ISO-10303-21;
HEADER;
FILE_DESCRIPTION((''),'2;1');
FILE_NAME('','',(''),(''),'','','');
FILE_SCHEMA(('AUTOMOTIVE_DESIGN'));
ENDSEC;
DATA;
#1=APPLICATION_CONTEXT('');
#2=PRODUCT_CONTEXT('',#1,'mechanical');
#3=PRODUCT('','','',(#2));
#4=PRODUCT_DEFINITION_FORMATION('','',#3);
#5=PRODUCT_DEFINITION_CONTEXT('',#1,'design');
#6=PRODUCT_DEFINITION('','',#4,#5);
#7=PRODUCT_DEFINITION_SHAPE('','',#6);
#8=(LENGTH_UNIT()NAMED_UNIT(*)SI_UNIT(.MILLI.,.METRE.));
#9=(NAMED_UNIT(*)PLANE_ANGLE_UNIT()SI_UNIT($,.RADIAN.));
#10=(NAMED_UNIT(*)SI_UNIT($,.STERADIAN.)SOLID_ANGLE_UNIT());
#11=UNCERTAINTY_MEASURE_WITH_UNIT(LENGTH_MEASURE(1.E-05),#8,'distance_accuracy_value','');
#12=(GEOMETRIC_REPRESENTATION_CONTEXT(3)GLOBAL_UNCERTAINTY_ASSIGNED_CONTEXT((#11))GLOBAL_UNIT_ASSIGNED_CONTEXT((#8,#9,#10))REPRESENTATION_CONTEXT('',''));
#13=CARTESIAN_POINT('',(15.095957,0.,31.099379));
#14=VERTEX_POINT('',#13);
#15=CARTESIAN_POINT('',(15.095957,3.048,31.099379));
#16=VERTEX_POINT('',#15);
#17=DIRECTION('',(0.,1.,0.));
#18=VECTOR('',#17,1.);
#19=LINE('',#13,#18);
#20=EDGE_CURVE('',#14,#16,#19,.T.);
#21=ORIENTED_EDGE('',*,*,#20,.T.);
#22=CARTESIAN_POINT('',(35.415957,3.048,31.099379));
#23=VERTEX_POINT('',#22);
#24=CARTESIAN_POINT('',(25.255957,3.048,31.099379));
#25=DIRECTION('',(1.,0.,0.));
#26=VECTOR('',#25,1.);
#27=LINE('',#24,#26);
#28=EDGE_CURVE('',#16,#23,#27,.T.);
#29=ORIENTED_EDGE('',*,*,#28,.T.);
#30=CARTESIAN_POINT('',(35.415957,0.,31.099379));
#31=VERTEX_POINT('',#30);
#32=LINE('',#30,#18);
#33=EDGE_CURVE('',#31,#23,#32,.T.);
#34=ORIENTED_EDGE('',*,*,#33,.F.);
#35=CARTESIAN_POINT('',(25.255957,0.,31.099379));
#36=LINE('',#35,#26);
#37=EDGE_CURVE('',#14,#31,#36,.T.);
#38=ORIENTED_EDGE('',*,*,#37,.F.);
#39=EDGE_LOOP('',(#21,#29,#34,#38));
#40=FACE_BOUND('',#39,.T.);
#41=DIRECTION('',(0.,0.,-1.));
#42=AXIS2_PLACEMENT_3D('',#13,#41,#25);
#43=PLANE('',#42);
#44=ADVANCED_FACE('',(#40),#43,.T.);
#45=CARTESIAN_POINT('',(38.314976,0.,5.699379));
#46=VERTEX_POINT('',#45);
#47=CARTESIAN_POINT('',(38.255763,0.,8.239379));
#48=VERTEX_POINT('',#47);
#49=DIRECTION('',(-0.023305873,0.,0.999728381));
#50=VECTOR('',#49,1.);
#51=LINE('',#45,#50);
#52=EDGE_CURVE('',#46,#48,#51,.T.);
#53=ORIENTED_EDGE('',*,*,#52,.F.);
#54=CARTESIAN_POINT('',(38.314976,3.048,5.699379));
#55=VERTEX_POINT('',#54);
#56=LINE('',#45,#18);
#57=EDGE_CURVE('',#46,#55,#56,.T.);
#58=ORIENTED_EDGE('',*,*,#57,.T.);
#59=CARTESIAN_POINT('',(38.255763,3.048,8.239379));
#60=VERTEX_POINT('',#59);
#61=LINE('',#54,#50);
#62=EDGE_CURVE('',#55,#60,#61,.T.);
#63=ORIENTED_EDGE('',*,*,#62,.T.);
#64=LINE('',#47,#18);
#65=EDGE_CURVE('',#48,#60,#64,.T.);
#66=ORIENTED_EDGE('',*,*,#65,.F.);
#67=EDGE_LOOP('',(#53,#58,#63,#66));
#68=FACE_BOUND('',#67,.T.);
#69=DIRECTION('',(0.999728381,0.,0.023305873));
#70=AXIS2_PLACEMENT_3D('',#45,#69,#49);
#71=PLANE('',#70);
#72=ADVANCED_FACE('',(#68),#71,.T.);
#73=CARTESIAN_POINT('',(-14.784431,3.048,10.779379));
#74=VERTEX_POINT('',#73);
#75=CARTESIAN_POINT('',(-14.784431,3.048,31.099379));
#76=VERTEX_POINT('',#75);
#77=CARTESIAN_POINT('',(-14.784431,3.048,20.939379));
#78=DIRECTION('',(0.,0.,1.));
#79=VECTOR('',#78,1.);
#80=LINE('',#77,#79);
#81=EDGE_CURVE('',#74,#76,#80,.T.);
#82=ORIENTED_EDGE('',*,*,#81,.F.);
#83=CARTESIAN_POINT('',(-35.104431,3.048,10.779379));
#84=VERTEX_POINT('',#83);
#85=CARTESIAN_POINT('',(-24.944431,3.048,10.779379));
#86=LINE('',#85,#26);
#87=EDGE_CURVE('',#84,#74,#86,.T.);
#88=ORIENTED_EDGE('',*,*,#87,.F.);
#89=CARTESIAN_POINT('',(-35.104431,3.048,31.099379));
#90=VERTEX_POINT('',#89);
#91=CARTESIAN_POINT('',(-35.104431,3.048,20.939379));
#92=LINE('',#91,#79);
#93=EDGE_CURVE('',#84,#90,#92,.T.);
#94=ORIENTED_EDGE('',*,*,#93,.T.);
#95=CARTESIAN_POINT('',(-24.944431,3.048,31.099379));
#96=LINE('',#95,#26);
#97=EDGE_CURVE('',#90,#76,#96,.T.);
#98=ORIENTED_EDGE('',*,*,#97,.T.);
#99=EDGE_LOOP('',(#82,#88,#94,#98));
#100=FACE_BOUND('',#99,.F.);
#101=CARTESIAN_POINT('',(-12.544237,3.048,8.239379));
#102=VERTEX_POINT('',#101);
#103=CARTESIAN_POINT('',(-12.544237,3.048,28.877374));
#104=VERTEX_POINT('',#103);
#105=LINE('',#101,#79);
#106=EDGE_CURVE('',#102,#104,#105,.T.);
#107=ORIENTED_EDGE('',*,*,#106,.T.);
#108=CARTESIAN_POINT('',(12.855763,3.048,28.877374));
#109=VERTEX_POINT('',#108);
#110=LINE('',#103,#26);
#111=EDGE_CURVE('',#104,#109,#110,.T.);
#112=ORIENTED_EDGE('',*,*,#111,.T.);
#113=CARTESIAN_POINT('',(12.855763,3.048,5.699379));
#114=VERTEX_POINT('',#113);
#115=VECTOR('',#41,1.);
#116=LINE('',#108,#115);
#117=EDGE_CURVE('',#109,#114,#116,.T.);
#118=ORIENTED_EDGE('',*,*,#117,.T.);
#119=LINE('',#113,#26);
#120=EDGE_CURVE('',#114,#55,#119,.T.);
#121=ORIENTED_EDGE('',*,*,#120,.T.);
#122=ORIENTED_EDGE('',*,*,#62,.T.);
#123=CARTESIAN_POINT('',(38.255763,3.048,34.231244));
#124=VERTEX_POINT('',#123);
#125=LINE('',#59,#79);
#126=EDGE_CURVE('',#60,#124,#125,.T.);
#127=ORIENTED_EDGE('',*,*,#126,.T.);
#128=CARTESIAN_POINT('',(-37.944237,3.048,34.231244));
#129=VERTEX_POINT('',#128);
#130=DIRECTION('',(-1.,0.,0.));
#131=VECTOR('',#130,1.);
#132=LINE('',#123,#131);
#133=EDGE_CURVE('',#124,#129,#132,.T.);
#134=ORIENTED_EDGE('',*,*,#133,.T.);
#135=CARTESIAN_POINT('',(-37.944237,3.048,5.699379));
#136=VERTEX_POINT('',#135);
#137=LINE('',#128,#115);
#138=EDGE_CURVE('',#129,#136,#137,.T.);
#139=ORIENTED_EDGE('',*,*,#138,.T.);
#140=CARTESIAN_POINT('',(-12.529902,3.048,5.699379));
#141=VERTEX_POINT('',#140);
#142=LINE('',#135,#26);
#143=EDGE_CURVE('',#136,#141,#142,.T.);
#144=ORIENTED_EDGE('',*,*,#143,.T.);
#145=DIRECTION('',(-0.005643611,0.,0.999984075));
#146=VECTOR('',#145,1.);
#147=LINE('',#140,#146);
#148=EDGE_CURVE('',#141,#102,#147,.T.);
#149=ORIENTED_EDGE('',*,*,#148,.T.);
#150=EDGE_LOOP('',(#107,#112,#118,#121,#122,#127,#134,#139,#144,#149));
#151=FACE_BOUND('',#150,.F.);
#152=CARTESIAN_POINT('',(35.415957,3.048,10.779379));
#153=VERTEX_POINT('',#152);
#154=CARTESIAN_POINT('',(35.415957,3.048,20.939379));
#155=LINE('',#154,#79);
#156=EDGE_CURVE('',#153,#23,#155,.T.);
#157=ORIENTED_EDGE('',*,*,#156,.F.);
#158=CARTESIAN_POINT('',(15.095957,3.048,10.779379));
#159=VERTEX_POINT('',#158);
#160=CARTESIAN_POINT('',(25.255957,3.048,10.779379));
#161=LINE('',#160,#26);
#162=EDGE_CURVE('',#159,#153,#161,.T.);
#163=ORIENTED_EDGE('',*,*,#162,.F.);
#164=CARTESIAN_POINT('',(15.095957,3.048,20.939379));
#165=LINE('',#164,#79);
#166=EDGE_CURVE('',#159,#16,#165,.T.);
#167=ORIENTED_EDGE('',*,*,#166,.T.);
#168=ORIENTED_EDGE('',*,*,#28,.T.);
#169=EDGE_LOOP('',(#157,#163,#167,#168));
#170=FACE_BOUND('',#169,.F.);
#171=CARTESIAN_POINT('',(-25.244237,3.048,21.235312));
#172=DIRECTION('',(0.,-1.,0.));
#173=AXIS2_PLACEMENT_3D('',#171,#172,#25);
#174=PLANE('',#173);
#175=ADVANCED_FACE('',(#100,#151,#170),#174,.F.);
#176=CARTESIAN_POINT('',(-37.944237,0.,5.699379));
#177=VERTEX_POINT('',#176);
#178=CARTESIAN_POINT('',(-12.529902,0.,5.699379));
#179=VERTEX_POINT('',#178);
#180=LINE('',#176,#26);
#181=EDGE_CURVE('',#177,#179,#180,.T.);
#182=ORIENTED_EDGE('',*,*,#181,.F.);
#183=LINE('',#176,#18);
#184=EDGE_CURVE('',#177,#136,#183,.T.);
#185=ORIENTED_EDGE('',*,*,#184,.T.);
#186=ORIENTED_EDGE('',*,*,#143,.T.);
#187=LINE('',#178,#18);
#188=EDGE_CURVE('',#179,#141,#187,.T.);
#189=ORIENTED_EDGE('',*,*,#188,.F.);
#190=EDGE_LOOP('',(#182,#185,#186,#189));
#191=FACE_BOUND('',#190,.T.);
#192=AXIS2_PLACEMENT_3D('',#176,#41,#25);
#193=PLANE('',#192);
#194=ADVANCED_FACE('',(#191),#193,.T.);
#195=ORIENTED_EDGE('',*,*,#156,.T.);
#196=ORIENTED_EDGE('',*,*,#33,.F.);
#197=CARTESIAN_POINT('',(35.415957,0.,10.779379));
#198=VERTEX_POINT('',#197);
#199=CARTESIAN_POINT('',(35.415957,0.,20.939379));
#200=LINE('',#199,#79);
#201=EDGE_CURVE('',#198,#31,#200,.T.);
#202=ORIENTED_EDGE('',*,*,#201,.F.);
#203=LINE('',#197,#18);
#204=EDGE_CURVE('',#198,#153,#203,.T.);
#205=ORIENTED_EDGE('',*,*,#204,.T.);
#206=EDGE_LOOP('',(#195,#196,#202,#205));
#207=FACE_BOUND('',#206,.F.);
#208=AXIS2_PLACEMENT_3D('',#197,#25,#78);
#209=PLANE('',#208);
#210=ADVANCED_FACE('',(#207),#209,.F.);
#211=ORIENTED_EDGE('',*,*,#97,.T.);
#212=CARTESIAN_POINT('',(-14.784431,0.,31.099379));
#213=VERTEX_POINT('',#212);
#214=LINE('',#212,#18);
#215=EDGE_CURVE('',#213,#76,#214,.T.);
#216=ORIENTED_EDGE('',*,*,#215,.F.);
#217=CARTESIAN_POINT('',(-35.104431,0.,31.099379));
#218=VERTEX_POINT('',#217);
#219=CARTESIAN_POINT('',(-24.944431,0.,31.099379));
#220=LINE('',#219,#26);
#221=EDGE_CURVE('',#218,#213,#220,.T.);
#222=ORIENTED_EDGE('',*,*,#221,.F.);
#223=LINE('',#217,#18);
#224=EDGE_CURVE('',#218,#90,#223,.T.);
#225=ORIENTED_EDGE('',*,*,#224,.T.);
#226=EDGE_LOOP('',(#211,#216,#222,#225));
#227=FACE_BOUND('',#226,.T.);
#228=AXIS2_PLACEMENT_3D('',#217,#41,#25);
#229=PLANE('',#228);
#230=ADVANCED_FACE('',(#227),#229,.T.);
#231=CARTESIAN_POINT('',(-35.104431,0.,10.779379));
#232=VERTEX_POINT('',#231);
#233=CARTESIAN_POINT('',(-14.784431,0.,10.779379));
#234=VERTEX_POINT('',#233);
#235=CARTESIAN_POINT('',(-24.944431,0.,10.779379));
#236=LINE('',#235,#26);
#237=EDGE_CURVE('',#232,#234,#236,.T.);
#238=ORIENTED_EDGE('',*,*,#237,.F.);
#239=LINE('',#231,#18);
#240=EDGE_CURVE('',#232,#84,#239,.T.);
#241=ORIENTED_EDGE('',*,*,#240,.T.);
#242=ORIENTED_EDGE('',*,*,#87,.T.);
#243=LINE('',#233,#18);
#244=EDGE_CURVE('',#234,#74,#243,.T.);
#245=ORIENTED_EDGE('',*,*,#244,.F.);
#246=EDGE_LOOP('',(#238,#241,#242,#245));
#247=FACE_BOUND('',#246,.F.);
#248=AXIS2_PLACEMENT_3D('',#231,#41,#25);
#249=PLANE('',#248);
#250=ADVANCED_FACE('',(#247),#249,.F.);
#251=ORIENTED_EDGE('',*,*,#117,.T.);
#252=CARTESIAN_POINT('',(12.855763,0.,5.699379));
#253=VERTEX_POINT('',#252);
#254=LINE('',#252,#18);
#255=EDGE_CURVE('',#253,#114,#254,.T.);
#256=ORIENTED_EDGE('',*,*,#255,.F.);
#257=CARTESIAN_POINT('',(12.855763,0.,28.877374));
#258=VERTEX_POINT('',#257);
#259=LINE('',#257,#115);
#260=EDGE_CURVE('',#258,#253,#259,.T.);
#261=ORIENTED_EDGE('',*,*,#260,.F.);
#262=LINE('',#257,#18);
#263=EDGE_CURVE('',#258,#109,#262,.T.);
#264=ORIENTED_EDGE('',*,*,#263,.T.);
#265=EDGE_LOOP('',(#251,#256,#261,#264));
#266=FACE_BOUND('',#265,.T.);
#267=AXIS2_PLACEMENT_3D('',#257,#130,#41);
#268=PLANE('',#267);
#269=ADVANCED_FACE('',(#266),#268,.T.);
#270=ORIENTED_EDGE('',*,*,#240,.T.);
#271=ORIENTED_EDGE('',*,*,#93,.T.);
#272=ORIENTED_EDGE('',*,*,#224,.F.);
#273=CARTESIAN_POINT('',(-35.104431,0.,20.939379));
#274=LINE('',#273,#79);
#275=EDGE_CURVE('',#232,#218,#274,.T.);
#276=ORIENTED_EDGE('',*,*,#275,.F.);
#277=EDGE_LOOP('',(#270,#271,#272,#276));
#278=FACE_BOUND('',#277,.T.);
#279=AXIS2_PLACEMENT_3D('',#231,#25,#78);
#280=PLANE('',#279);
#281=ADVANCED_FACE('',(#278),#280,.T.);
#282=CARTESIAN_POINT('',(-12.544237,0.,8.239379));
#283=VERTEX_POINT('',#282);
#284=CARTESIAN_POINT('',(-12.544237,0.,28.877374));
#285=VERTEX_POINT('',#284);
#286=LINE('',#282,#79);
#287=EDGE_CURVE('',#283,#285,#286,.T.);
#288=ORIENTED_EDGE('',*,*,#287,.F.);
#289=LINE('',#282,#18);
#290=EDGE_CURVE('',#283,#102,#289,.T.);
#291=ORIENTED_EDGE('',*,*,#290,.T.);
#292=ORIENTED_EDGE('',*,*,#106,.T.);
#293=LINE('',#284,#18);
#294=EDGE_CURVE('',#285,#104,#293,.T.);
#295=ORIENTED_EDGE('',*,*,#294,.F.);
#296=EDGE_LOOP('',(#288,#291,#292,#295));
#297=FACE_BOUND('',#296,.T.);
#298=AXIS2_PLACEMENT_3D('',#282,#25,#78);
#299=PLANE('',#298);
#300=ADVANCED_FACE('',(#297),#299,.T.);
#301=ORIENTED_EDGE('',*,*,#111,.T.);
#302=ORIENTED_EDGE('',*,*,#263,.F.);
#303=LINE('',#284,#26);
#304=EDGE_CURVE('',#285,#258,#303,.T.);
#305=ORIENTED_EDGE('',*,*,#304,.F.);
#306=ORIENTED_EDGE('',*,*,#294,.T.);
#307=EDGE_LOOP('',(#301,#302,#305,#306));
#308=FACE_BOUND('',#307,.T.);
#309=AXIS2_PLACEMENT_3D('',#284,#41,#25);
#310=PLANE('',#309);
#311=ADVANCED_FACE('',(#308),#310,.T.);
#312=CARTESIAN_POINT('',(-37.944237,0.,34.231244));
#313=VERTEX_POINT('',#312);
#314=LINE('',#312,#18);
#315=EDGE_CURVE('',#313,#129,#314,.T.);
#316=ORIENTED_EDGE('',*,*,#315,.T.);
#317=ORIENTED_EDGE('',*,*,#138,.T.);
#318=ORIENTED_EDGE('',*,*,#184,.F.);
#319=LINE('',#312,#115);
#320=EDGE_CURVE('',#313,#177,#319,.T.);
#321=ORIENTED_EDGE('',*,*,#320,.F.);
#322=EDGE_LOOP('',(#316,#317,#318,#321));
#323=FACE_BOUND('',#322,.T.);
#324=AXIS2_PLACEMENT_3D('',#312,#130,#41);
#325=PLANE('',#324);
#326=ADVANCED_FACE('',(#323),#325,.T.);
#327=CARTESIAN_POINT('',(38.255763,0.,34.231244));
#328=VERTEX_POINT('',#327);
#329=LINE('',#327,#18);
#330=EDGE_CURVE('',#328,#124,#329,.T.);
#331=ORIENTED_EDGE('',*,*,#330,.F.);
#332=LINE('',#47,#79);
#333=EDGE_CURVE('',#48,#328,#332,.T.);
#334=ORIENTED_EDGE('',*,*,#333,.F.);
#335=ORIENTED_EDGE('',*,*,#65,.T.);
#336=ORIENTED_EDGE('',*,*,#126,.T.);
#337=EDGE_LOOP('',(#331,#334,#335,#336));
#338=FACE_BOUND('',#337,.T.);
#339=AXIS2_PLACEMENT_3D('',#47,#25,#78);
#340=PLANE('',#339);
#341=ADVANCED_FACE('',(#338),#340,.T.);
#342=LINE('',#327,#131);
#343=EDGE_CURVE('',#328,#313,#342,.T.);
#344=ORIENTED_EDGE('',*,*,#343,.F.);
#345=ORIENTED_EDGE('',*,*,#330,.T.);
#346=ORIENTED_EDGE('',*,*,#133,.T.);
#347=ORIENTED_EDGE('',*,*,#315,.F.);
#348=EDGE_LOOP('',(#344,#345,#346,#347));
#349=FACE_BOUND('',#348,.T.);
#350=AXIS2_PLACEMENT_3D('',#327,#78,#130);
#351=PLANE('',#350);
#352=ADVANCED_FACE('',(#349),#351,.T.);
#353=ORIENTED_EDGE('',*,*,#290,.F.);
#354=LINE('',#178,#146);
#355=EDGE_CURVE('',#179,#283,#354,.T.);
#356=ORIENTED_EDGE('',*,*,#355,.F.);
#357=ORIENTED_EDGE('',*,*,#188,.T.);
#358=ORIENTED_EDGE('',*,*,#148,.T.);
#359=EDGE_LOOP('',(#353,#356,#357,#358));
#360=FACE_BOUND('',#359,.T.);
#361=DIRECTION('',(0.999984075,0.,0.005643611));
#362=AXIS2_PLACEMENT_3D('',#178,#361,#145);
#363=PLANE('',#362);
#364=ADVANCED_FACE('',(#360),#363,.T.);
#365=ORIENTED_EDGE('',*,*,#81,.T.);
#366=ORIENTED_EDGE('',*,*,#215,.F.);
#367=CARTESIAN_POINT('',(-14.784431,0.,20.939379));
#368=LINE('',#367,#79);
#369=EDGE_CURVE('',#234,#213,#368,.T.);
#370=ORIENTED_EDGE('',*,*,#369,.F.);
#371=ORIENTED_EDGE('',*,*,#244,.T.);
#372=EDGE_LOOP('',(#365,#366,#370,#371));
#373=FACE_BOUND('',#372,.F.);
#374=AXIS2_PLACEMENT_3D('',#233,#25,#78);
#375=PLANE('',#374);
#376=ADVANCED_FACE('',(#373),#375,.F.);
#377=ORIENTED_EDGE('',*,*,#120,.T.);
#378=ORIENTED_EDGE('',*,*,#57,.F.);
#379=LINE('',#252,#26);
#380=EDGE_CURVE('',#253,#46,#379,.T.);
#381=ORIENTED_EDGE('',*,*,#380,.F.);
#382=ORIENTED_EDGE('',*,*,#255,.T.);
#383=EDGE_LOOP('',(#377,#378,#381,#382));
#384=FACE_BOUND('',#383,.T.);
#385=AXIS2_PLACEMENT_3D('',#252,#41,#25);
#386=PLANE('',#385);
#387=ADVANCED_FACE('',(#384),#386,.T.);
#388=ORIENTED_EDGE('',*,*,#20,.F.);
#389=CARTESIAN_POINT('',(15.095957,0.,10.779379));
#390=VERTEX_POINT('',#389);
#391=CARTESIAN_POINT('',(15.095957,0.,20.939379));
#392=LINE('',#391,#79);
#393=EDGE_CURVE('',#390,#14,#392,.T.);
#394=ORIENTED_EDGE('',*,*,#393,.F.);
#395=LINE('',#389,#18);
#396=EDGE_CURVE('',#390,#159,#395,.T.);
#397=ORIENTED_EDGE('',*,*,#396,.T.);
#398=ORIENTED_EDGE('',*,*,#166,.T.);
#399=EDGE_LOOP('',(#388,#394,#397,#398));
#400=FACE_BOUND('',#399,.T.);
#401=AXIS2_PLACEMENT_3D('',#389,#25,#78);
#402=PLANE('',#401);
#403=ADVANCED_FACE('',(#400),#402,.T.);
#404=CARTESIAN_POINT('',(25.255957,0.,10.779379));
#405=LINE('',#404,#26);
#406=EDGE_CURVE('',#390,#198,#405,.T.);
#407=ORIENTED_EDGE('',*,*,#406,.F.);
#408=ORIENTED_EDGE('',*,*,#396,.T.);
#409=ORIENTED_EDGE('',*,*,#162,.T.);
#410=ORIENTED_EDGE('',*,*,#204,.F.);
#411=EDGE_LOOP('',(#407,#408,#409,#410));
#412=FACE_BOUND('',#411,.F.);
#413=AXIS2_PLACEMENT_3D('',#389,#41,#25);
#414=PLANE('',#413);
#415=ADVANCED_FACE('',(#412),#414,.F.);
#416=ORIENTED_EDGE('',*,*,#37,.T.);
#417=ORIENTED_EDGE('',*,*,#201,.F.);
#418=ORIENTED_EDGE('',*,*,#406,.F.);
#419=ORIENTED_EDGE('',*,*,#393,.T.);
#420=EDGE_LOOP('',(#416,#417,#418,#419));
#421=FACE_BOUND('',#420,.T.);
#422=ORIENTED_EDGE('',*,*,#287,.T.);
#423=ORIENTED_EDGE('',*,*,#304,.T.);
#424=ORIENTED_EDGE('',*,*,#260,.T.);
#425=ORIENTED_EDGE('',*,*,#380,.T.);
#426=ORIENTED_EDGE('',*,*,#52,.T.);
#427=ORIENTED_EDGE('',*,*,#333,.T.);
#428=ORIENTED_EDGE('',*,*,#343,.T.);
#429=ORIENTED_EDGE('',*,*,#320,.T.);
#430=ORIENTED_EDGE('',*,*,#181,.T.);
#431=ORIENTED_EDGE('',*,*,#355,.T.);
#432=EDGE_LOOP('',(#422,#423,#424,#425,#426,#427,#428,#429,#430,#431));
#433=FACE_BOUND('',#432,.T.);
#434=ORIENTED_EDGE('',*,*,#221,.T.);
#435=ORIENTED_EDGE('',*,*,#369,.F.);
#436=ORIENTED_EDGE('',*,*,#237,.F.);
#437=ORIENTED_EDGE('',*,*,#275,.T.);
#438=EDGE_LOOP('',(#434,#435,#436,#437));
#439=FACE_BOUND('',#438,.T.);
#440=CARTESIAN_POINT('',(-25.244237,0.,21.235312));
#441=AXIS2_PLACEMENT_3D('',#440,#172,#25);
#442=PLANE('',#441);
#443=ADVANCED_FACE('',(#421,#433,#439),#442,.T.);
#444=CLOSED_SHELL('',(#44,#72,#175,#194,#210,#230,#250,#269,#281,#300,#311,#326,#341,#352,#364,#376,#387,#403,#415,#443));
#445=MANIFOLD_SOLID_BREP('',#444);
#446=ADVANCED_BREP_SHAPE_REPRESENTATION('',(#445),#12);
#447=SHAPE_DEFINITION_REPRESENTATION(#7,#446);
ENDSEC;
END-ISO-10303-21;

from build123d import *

# Parameters (mm, degrees)
F0_W     = 20.32
F0_H     = 20.32
F1_DEPTH = 3.048


with BuildPart() as f1:
    # F0 (on Front) → F1 (new body)
    with BuildSketch(Plane.XZ):
        Polygon((-12.544237, 34.231244), (-37.944237, 34.231244), (-37.944237, 8.239379), (-12.544237, 8.239379), (-12.544237, 28.877374), (-12.544237, 33.178161), align=None)
        with Locations((-24.944431, 20.939379)):
            Rectangle(F0_W, F0_H, mode=Mode.SUBTRACT)
        Polygon((12.855763, 34.231244), (-12.544237, 34.231244), (-12.544237, 33.178161), (-12.544237, 28.877374), (12.855763, 28.877374), align=None)
        Polygon((-12.544237, 8.239379), (-37.944237, 8.239379), (-37.944237, 5.699379), (-12.529902, 5.699379), align=None)
        Polygon((38.255763, 34.231244), (12.855763, 34.231244), (12.855763, 28.877374), (12.855763, 8.239379), (38.255763, 8.239379), align=None)
        with Locations((25.255957, 20.939379)):
            Rectangle(F0_W, F0_H, mode=Mode.SUBTRACT)
        Polygon((38.314976, 5.699379), (38.255763, 8.239379), (12.855763, 8.239379), (12.855763, 5.699379), align=None)
    extrude(amount=-F1_DEPTH)


solid = f1.part
